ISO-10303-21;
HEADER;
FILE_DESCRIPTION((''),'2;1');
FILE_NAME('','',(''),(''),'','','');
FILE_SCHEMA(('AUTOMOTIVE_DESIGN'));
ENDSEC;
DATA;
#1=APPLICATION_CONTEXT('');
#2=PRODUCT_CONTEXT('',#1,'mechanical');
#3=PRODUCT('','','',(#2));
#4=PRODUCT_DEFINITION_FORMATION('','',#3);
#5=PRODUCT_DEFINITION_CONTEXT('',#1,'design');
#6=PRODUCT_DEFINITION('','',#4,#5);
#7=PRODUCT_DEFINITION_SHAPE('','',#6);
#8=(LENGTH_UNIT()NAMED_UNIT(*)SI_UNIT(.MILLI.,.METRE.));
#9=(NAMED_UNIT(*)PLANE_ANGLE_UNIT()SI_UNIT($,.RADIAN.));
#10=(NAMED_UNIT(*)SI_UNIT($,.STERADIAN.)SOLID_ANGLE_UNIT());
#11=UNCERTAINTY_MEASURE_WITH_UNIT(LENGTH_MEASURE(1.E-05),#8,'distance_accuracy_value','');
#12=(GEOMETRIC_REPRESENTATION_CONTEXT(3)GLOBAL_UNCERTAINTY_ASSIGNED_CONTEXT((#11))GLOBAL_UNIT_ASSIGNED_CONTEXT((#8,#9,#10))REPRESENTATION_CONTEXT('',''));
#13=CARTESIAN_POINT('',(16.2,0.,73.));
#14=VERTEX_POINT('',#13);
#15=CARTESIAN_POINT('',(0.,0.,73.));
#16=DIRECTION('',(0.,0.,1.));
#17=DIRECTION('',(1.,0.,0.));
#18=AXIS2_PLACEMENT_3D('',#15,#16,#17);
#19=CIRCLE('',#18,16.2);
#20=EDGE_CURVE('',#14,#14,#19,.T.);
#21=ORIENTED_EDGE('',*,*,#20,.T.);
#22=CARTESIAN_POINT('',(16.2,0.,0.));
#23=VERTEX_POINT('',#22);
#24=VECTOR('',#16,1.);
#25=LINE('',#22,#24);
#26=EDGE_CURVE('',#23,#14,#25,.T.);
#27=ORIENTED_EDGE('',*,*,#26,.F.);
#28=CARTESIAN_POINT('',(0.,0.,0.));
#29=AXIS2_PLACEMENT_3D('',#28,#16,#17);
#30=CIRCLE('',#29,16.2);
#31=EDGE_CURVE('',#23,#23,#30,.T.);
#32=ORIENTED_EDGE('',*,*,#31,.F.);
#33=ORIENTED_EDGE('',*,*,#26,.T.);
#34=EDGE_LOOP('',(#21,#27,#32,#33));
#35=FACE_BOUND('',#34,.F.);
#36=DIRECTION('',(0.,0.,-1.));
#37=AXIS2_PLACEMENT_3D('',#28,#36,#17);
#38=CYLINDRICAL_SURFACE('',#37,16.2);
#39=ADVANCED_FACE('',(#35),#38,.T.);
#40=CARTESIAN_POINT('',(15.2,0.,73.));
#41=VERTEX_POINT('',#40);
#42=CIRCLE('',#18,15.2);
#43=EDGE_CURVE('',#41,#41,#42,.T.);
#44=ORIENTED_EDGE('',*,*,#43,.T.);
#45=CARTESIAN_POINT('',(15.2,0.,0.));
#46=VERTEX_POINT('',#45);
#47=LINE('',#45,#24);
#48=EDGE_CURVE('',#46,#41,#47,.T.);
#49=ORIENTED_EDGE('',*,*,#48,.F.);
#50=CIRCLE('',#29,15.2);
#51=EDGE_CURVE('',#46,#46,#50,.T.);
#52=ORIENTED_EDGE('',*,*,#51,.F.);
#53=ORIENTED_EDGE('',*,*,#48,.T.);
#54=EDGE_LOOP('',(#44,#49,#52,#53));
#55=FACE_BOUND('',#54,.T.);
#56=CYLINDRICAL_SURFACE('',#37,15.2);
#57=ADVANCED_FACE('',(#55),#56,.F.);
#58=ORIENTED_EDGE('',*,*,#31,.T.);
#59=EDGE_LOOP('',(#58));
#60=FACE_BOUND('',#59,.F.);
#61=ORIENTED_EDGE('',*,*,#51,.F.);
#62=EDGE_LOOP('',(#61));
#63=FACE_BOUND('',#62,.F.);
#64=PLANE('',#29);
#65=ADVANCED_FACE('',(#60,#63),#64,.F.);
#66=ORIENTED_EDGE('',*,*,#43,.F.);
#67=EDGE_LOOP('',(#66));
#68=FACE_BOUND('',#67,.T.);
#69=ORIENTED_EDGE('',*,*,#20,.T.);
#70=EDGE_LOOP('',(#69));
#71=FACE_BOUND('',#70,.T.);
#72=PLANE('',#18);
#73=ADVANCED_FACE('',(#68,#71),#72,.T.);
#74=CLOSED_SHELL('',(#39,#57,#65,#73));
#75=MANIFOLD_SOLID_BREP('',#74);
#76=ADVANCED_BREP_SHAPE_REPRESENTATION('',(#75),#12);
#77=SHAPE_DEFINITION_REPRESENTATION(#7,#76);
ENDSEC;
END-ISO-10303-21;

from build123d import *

# Parameters (mm, degrees)
SKETCH_R   = 16.2
SKETCH_R_2 = 15.2
PAD_DEPTH  = 73


with BuildPart() as part:
    # Sketch → Pad (new body)
    with BuildSketch(Plane.XY):
        Circle(SKETCH_R)
        Circle(SKETCH_R_2, mode=Mode.SUBTRACT)
    extrude(amount=PAD_DEPTH)


solid = part.part
